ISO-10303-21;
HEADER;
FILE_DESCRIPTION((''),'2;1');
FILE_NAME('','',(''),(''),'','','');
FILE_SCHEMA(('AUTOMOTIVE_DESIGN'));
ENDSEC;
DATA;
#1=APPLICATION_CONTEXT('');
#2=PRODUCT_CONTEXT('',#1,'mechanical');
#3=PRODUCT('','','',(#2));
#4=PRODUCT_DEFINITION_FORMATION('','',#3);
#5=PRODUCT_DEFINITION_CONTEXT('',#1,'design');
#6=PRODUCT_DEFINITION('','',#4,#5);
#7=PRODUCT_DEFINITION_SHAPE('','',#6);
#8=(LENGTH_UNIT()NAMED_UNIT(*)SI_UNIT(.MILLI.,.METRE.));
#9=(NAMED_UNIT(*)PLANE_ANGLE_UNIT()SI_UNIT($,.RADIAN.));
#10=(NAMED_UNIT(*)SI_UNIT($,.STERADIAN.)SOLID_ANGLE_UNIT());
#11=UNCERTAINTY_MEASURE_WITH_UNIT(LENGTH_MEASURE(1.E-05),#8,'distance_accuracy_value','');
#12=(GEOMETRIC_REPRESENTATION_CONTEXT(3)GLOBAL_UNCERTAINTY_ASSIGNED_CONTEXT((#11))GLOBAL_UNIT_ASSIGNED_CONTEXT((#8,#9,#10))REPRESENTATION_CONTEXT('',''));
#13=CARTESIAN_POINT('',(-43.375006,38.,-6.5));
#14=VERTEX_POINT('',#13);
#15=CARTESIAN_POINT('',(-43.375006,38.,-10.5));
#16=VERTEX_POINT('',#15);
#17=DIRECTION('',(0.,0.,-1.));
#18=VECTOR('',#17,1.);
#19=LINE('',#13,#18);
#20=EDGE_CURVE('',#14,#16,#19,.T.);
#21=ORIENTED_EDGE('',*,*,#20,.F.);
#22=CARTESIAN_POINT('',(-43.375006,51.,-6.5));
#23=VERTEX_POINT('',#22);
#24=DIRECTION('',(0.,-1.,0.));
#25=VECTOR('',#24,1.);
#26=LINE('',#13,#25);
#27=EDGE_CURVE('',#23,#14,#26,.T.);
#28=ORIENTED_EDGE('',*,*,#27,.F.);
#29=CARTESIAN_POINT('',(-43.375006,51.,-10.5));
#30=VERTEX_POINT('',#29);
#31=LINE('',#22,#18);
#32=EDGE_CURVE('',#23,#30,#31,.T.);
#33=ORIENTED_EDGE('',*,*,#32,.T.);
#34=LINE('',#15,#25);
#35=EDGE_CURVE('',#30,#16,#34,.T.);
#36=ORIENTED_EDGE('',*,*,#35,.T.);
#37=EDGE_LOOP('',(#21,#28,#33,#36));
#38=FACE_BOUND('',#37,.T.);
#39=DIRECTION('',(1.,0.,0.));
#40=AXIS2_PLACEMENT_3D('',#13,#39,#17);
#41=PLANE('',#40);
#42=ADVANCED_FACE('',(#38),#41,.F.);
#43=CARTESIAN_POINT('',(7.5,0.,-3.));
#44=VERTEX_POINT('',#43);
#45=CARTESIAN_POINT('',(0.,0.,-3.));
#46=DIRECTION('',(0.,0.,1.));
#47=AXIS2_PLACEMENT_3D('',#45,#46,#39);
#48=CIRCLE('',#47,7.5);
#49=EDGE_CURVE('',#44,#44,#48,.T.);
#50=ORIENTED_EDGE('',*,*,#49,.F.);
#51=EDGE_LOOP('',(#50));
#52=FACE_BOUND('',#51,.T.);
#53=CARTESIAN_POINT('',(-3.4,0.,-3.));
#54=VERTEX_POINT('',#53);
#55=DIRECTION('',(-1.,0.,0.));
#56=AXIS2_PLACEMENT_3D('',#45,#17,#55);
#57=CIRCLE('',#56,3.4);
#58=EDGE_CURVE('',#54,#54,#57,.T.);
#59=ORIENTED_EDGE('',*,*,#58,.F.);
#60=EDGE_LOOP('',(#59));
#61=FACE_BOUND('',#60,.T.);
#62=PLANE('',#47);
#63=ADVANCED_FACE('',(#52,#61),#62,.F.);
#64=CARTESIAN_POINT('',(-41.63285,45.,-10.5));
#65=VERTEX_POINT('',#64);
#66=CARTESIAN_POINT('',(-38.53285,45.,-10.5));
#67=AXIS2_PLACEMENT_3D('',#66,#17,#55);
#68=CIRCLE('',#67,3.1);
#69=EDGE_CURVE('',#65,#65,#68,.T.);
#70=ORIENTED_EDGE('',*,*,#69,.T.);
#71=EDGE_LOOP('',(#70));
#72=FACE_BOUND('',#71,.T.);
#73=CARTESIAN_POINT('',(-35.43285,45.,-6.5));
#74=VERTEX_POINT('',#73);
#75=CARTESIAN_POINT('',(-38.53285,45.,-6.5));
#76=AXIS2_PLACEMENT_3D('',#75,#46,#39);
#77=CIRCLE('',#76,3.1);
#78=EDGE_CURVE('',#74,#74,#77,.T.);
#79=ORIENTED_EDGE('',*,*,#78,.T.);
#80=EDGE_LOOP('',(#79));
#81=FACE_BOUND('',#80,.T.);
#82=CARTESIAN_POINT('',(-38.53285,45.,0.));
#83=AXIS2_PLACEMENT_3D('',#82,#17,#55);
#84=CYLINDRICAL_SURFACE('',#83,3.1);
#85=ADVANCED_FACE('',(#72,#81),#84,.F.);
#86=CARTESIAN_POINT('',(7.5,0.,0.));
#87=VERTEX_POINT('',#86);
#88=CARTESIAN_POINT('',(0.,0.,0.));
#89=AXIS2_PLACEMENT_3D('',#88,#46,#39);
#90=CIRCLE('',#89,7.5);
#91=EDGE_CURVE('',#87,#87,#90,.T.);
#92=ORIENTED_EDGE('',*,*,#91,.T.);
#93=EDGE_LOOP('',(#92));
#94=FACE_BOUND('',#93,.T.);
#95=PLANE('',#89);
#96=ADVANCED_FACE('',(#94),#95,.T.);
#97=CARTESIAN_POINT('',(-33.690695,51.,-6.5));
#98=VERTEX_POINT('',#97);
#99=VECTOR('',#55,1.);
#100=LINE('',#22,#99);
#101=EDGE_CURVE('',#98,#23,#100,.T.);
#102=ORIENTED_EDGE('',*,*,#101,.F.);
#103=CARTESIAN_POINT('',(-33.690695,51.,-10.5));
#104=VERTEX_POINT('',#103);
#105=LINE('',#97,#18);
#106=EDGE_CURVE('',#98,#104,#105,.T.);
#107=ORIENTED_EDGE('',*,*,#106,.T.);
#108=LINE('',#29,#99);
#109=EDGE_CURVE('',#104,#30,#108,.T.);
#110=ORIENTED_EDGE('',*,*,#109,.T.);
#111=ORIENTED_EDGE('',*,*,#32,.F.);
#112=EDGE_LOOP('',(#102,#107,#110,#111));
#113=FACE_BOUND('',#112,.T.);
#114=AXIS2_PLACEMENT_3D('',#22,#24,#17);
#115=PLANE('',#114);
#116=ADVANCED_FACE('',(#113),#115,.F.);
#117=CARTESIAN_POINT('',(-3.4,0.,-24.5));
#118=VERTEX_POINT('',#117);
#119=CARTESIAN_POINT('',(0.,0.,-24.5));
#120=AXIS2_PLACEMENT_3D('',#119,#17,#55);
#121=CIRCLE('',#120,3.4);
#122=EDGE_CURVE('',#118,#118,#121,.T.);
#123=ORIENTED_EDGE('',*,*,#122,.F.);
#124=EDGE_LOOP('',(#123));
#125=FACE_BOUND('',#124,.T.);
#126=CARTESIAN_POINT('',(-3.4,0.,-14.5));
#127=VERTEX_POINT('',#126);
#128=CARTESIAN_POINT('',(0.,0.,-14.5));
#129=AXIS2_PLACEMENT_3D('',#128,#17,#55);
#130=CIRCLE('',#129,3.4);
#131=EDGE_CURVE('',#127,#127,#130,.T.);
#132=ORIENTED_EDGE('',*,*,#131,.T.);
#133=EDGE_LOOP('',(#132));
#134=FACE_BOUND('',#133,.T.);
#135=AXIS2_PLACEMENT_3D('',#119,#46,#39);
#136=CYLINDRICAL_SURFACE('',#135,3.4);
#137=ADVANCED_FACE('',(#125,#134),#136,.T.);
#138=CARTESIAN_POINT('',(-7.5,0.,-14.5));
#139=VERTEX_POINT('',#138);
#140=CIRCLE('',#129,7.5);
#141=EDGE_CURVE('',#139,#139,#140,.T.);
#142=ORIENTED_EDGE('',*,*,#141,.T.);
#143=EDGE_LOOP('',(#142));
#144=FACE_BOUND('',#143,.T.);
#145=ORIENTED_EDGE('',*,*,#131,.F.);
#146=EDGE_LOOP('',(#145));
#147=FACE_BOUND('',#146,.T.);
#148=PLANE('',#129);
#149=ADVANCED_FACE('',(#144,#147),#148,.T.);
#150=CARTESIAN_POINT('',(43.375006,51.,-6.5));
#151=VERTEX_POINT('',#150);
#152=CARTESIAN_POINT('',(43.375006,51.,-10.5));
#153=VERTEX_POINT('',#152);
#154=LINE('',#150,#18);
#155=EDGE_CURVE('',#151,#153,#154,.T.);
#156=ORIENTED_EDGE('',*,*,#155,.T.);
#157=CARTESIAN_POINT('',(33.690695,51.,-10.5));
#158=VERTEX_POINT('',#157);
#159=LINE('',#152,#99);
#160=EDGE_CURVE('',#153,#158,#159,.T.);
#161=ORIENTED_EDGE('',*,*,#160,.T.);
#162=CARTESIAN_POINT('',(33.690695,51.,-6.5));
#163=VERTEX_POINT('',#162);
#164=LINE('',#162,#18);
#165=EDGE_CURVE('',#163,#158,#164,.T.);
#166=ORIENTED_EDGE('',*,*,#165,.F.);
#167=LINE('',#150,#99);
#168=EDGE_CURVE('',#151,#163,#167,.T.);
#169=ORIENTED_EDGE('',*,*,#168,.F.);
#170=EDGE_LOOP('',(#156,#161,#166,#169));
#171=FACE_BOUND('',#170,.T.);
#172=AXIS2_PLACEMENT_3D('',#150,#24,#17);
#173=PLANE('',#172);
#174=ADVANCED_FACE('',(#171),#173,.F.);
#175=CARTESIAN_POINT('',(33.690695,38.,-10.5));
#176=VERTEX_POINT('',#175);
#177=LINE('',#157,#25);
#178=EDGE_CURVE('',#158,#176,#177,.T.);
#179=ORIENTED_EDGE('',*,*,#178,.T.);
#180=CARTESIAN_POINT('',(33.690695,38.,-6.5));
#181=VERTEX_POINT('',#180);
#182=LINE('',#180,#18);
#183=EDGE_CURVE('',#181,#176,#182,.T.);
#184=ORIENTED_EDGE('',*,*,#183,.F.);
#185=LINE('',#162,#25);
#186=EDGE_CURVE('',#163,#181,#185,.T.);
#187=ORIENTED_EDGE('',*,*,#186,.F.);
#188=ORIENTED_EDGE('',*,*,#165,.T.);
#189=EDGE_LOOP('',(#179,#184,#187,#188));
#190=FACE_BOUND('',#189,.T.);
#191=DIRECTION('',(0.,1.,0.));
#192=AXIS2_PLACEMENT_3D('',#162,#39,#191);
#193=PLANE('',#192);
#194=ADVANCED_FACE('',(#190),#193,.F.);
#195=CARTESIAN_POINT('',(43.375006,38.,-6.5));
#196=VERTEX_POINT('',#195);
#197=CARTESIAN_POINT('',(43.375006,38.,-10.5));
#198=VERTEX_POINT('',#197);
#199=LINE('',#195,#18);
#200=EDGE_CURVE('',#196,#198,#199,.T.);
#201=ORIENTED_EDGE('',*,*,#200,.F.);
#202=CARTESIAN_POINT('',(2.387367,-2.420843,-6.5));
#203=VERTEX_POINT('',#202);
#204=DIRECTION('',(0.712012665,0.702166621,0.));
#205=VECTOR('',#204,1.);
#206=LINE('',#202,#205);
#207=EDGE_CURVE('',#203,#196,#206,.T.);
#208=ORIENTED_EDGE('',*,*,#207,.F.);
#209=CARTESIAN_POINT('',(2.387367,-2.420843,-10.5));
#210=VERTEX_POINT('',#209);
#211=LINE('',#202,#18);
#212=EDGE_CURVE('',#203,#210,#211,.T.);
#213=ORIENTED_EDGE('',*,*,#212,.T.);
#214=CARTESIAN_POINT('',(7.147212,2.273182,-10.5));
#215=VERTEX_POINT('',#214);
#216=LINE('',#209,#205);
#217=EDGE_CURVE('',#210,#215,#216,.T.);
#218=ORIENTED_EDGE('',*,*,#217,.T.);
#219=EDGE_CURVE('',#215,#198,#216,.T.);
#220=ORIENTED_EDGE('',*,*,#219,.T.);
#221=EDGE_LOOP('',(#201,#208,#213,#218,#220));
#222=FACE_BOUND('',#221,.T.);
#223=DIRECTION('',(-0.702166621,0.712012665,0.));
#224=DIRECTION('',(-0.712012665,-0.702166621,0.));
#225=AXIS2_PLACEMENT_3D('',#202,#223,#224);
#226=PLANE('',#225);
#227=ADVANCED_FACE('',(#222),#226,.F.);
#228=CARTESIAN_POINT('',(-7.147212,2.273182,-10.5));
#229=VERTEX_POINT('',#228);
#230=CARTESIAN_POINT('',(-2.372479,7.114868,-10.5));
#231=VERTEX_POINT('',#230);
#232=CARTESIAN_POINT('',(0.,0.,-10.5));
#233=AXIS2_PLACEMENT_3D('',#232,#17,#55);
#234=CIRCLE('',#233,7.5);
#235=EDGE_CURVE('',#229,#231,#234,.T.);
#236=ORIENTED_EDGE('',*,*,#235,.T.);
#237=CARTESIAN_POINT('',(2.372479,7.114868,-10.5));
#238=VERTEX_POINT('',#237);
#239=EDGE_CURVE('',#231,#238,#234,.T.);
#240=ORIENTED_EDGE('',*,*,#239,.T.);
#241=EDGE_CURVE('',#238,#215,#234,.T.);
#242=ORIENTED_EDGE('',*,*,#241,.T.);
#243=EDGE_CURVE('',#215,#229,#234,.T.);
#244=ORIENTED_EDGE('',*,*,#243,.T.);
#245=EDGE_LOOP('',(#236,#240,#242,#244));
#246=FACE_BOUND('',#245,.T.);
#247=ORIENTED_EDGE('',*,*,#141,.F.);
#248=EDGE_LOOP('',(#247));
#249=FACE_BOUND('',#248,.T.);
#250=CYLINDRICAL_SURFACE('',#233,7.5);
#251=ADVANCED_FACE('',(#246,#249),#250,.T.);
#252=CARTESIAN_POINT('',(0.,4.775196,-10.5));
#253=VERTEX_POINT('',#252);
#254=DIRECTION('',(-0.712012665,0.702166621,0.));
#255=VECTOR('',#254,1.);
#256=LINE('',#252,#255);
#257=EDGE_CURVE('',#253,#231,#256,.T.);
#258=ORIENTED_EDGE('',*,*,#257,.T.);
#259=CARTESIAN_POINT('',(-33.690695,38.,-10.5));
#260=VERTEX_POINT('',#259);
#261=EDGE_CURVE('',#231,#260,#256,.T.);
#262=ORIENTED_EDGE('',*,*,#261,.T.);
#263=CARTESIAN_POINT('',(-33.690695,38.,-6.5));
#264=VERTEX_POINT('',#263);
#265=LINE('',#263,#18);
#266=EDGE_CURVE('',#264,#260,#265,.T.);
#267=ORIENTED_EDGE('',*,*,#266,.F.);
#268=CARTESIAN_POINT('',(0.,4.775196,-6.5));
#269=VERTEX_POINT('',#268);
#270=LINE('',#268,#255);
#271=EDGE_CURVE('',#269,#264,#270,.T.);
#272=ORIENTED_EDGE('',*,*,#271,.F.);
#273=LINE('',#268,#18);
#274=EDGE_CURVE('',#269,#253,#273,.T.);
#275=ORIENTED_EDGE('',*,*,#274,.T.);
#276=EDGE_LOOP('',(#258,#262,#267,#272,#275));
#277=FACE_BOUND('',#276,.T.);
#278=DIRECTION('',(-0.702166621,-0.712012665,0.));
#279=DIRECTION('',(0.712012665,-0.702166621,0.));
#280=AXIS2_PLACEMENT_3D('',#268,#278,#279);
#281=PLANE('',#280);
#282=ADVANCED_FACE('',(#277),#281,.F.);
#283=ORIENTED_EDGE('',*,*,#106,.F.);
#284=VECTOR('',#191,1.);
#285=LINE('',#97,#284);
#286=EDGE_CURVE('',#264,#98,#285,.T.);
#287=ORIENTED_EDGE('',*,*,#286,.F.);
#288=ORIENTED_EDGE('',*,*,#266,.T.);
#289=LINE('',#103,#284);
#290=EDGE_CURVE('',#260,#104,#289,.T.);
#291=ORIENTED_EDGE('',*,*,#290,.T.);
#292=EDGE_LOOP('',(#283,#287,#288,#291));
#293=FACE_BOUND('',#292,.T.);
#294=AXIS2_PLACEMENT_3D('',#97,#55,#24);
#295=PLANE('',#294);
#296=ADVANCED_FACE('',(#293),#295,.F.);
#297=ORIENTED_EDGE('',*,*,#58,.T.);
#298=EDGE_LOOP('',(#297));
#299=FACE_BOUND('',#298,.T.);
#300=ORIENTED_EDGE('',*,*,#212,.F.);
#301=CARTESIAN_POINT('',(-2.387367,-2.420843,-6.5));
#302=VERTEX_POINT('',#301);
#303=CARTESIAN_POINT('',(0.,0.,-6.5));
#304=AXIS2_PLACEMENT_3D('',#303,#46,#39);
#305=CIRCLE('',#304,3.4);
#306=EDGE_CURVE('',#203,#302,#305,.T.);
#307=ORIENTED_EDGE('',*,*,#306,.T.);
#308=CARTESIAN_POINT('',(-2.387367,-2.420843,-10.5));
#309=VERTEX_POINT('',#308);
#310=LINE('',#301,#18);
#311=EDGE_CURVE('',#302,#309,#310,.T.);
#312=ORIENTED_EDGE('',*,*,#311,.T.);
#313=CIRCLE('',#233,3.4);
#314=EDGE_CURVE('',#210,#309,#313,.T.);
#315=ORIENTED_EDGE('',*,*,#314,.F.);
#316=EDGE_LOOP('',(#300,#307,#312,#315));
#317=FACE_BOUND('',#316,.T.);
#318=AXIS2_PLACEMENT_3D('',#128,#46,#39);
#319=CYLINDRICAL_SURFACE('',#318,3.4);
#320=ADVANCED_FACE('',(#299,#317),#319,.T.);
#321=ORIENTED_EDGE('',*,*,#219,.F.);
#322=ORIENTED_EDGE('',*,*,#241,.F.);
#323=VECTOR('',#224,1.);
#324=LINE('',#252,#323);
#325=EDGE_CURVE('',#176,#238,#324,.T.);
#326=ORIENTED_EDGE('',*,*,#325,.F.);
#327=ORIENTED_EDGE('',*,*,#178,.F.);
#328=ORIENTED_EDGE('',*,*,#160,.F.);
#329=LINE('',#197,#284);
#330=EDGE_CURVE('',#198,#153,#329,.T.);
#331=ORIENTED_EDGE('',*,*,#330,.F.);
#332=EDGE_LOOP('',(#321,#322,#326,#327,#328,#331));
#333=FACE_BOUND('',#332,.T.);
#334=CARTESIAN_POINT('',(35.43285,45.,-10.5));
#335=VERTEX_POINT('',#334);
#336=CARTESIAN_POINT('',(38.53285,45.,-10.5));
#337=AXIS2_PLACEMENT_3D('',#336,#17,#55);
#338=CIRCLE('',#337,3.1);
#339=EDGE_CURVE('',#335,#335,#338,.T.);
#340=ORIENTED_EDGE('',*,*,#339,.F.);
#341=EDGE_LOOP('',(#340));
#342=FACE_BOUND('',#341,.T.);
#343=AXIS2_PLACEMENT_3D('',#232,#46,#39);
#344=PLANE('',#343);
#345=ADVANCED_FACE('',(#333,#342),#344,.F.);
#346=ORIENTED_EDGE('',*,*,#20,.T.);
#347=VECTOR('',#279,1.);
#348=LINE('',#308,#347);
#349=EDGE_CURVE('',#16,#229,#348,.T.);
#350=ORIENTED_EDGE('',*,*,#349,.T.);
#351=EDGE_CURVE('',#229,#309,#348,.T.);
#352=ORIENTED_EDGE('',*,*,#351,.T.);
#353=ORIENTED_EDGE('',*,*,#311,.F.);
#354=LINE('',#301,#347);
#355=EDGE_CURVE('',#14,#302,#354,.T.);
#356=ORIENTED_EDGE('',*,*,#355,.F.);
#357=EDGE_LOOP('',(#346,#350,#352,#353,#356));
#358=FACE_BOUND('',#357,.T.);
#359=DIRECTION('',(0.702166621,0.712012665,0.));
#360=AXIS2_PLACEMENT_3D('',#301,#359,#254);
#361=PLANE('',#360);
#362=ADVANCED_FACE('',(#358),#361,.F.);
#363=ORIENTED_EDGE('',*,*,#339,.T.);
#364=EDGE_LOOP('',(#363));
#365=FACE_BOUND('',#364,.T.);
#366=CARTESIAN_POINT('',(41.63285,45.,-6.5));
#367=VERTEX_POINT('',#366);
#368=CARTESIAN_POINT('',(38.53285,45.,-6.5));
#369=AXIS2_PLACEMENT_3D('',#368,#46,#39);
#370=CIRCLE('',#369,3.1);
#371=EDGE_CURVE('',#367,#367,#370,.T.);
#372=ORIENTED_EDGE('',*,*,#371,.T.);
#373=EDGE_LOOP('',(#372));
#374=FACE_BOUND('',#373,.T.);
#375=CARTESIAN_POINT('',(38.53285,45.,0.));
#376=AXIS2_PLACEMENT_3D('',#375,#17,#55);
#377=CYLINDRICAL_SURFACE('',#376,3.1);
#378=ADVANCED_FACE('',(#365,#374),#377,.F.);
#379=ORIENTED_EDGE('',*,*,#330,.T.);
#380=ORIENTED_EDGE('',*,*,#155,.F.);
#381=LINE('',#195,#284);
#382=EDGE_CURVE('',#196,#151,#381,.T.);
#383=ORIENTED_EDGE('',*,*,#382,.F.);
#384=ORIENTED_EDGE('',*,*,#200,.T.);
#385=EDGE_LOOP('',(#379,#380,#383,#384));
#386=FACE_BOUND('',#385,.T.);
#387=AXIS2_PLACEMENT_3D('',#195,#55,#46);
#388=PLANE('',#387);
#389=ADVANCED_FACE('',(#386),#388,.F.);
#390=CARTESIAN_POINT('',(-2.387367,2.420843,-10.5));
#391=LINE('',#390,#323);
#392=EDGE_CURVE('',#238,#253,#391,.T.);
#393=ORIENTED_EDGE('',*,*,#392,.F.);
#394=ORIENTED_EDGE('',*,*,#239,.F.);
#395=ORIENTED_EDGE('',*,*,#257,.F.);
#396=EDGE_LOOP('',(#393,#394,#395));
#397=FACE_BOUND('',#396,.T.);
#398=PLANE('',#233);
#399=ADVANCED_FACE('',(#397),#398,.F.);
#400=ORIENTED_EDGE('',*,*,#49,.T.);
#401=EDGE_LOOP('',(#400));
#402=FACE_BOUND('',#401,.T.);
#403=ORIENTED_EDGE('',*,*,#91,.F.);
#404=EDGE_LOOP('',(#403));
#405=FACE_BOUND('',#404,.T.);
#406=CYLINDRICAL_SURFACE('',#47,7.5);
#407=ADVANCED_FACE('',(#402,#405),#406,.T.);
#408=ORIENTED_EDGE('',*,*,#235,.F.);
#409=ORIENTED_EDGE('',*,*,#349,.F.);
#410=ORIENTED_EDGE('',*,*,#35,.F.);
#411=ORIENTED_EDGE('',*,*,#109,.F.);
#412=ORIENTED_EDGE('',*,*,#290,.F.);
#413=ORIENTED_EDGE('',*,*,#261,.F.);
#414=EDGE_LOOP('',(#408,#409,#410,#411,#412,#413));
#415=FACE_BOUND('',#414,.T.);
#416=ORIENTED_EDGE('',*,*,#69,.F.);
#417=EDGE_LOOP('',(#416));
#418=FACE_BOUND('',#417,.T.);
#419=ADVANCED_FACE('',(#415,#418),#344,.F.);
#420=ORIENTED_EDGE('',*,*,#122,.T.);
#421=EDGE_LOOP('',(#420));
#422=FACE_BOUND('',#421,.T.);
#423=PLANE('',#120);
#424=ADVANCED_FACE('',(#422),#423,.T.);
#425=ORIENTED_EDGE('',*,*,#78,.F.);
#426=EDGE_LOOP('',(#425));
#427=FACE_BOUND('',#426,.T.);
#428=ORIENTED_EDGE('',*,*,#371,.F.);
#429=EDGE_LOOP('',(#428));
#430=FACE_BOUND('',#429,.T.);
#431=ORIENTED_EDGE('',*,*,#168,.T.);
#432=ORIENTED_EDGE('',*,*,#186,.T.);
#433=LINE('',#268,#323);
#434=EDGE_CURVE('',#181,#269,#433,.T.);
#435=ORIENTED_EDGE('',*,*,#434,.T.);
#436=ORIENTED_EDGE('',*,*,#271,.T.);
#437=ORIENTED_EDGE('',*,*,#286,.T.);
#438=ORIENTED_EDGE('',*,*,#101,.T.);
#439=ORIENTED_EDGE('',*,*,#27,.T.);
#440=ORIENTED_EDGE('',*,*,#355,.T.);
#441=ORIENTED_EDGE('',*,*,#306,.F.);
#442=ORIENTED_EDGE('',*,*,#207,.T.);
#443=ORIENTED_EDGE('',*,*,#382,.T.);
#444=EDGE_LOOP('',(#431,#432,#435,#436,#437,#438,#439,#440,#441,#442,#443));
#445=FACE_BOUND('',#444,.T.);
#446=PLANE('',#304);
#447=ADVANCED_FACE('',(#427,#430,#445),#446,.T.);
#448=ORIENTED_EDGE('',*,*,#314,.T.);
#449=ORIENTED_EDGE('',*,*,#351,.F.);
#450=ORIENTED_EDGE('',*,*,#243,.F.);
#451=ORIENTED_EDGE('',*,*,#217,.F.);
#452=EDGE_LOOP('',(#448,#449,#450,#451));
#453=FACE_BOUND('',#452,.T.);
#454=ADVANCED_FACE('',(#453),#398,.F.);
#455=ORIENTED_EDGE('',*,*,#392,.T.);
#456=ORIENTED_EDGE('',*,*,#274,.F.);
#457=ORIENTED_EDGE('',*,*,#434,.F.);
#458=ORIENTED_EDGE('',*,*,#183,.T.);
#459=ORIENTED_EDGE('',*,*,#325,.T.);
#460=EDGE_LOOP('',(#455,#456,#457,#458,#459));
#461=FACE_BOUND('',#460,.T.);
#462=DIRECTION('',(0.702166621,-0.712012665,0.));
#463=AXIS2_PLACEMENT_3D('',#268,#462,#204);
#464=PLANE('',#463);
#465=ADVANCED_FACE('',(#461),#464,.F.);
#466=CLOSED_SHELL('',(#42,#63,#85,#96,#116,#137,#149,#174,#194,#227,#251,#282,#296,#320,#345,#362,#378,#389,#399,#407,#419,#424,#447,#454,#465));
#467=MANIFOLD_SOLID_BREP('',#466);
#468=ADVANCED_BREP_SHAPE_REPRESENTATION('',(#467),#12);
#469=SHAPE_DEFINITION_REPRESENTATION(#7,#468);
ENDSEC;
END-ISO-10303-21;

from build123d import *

# Parameters (mm, degrees)
SKETCH_1_R          = 7.5
EXTRUDE_1_DEPTH     = 3
SKETCH_2_R          = 3.4
EXTRUDE_2_DEPTH     = 11.5
SKETCH_3_R          = 7.5
EXTRUDE_3_DEPTH     = 4
SKETCH_4_R          = 3.4
EXTRUDE_4_DEPTH     = 10
EXTRUDE_5_DEPTH     = 4
SKETCH_7_R          = 3.1
CUT_EXTRUDE_1_DEPTH = 11.5


with BuildPart() as part:
    # Эскиз1 → Бобышка-Вытянуть1 (new body)
    with BuildSketch(Plane.XY):
        Circle(SKETCH_1_R)
    extrude(amount=-EXTRUDE_1_DEPTH)

    # Эскиз2 → Бобышка-Вытянуть2 (add)
    with BuildSketch(Plane(origin=(0, 0, -3), x_dir=(-1, 0, 0), z_dir=(0, 0, -1))):
        Circle(SKETCH_2_R)
    extrude(amount=EXTRUDE_2_DEPTH)

    # Эскиз3 → Бобышка-Вытянуть3 (add)
    with BuildSketch(Plane(origin=(0, 0, -14.5), x_dir=(-1, 0, 0), z_dir=(0, 0, -1))):
        Circle(SKETCH_3_R)
    extrude(amount=-EXTRUDE_3_DEPTH)

    # Эскиз4 → Бобышка-Вытянуть4 (add)
    with BuildSketch(Plane(origin=(0, 0, -14.5), x_dir=(-1, 0, 0), z_dir=(0, 0, -1))):
        Circle(SKETCH_4_R)
    extrude(amount=EXTRUDE_4_DEPTH)

    # Эскиз6 → Бобышка-Вытянуть5 (add)
    with BuildSketch(Plane.XY.offset(-10.5)):
        with BuildLine():
            Line((-33.690694721, 51), (-33.690694721, 38))
            Line((-33.690694721, 38), (0, 4.775195955))
            Line((0, 4.775195955), (33.690694721, 38))
            Line((33.690694721, 38), (33.690694721, 51))
            Line((33.690694721, 51), (43.375005813, 51))
            Line((43.375005813, 51), (43.375005813, 38))
            Line((43.375005813, 38), (2.387366513, -2.420843062))
            ThreePointArc((2.387366513, -2.420843062), (0, -3.4), (-2.387366513, -2.420843062))
            Line((-2.387366513, -2.420843062), (-43.375005813, 38))
            Line((-43.375005813, 38), (-43.375005813, 51))
            Line((-43.375005813, 51), (-33.690694721, 51))
        make_face()
    extrude(amount=EXTRUDE_5_DEPTH)

    # Эскиз7 → Вырез-Вытянуть1 (cut, through all)
    with BuildSketch(Plane(origin=(0, 0, -10.5), x_dir=(-1, 0, 0), z_dir=(0, 0, -1))):
        with Locations((-38.532850267, 45)):
            Circle(SKETCH_7_R)
        with Locations((38.532850267, 45)):
            Circle(SKETCH_7_R)
    extrude(amount=-CUT_EXTRUDE_1_DEPTH, mode=Mode.SUBTRACT)


solid = part.part
